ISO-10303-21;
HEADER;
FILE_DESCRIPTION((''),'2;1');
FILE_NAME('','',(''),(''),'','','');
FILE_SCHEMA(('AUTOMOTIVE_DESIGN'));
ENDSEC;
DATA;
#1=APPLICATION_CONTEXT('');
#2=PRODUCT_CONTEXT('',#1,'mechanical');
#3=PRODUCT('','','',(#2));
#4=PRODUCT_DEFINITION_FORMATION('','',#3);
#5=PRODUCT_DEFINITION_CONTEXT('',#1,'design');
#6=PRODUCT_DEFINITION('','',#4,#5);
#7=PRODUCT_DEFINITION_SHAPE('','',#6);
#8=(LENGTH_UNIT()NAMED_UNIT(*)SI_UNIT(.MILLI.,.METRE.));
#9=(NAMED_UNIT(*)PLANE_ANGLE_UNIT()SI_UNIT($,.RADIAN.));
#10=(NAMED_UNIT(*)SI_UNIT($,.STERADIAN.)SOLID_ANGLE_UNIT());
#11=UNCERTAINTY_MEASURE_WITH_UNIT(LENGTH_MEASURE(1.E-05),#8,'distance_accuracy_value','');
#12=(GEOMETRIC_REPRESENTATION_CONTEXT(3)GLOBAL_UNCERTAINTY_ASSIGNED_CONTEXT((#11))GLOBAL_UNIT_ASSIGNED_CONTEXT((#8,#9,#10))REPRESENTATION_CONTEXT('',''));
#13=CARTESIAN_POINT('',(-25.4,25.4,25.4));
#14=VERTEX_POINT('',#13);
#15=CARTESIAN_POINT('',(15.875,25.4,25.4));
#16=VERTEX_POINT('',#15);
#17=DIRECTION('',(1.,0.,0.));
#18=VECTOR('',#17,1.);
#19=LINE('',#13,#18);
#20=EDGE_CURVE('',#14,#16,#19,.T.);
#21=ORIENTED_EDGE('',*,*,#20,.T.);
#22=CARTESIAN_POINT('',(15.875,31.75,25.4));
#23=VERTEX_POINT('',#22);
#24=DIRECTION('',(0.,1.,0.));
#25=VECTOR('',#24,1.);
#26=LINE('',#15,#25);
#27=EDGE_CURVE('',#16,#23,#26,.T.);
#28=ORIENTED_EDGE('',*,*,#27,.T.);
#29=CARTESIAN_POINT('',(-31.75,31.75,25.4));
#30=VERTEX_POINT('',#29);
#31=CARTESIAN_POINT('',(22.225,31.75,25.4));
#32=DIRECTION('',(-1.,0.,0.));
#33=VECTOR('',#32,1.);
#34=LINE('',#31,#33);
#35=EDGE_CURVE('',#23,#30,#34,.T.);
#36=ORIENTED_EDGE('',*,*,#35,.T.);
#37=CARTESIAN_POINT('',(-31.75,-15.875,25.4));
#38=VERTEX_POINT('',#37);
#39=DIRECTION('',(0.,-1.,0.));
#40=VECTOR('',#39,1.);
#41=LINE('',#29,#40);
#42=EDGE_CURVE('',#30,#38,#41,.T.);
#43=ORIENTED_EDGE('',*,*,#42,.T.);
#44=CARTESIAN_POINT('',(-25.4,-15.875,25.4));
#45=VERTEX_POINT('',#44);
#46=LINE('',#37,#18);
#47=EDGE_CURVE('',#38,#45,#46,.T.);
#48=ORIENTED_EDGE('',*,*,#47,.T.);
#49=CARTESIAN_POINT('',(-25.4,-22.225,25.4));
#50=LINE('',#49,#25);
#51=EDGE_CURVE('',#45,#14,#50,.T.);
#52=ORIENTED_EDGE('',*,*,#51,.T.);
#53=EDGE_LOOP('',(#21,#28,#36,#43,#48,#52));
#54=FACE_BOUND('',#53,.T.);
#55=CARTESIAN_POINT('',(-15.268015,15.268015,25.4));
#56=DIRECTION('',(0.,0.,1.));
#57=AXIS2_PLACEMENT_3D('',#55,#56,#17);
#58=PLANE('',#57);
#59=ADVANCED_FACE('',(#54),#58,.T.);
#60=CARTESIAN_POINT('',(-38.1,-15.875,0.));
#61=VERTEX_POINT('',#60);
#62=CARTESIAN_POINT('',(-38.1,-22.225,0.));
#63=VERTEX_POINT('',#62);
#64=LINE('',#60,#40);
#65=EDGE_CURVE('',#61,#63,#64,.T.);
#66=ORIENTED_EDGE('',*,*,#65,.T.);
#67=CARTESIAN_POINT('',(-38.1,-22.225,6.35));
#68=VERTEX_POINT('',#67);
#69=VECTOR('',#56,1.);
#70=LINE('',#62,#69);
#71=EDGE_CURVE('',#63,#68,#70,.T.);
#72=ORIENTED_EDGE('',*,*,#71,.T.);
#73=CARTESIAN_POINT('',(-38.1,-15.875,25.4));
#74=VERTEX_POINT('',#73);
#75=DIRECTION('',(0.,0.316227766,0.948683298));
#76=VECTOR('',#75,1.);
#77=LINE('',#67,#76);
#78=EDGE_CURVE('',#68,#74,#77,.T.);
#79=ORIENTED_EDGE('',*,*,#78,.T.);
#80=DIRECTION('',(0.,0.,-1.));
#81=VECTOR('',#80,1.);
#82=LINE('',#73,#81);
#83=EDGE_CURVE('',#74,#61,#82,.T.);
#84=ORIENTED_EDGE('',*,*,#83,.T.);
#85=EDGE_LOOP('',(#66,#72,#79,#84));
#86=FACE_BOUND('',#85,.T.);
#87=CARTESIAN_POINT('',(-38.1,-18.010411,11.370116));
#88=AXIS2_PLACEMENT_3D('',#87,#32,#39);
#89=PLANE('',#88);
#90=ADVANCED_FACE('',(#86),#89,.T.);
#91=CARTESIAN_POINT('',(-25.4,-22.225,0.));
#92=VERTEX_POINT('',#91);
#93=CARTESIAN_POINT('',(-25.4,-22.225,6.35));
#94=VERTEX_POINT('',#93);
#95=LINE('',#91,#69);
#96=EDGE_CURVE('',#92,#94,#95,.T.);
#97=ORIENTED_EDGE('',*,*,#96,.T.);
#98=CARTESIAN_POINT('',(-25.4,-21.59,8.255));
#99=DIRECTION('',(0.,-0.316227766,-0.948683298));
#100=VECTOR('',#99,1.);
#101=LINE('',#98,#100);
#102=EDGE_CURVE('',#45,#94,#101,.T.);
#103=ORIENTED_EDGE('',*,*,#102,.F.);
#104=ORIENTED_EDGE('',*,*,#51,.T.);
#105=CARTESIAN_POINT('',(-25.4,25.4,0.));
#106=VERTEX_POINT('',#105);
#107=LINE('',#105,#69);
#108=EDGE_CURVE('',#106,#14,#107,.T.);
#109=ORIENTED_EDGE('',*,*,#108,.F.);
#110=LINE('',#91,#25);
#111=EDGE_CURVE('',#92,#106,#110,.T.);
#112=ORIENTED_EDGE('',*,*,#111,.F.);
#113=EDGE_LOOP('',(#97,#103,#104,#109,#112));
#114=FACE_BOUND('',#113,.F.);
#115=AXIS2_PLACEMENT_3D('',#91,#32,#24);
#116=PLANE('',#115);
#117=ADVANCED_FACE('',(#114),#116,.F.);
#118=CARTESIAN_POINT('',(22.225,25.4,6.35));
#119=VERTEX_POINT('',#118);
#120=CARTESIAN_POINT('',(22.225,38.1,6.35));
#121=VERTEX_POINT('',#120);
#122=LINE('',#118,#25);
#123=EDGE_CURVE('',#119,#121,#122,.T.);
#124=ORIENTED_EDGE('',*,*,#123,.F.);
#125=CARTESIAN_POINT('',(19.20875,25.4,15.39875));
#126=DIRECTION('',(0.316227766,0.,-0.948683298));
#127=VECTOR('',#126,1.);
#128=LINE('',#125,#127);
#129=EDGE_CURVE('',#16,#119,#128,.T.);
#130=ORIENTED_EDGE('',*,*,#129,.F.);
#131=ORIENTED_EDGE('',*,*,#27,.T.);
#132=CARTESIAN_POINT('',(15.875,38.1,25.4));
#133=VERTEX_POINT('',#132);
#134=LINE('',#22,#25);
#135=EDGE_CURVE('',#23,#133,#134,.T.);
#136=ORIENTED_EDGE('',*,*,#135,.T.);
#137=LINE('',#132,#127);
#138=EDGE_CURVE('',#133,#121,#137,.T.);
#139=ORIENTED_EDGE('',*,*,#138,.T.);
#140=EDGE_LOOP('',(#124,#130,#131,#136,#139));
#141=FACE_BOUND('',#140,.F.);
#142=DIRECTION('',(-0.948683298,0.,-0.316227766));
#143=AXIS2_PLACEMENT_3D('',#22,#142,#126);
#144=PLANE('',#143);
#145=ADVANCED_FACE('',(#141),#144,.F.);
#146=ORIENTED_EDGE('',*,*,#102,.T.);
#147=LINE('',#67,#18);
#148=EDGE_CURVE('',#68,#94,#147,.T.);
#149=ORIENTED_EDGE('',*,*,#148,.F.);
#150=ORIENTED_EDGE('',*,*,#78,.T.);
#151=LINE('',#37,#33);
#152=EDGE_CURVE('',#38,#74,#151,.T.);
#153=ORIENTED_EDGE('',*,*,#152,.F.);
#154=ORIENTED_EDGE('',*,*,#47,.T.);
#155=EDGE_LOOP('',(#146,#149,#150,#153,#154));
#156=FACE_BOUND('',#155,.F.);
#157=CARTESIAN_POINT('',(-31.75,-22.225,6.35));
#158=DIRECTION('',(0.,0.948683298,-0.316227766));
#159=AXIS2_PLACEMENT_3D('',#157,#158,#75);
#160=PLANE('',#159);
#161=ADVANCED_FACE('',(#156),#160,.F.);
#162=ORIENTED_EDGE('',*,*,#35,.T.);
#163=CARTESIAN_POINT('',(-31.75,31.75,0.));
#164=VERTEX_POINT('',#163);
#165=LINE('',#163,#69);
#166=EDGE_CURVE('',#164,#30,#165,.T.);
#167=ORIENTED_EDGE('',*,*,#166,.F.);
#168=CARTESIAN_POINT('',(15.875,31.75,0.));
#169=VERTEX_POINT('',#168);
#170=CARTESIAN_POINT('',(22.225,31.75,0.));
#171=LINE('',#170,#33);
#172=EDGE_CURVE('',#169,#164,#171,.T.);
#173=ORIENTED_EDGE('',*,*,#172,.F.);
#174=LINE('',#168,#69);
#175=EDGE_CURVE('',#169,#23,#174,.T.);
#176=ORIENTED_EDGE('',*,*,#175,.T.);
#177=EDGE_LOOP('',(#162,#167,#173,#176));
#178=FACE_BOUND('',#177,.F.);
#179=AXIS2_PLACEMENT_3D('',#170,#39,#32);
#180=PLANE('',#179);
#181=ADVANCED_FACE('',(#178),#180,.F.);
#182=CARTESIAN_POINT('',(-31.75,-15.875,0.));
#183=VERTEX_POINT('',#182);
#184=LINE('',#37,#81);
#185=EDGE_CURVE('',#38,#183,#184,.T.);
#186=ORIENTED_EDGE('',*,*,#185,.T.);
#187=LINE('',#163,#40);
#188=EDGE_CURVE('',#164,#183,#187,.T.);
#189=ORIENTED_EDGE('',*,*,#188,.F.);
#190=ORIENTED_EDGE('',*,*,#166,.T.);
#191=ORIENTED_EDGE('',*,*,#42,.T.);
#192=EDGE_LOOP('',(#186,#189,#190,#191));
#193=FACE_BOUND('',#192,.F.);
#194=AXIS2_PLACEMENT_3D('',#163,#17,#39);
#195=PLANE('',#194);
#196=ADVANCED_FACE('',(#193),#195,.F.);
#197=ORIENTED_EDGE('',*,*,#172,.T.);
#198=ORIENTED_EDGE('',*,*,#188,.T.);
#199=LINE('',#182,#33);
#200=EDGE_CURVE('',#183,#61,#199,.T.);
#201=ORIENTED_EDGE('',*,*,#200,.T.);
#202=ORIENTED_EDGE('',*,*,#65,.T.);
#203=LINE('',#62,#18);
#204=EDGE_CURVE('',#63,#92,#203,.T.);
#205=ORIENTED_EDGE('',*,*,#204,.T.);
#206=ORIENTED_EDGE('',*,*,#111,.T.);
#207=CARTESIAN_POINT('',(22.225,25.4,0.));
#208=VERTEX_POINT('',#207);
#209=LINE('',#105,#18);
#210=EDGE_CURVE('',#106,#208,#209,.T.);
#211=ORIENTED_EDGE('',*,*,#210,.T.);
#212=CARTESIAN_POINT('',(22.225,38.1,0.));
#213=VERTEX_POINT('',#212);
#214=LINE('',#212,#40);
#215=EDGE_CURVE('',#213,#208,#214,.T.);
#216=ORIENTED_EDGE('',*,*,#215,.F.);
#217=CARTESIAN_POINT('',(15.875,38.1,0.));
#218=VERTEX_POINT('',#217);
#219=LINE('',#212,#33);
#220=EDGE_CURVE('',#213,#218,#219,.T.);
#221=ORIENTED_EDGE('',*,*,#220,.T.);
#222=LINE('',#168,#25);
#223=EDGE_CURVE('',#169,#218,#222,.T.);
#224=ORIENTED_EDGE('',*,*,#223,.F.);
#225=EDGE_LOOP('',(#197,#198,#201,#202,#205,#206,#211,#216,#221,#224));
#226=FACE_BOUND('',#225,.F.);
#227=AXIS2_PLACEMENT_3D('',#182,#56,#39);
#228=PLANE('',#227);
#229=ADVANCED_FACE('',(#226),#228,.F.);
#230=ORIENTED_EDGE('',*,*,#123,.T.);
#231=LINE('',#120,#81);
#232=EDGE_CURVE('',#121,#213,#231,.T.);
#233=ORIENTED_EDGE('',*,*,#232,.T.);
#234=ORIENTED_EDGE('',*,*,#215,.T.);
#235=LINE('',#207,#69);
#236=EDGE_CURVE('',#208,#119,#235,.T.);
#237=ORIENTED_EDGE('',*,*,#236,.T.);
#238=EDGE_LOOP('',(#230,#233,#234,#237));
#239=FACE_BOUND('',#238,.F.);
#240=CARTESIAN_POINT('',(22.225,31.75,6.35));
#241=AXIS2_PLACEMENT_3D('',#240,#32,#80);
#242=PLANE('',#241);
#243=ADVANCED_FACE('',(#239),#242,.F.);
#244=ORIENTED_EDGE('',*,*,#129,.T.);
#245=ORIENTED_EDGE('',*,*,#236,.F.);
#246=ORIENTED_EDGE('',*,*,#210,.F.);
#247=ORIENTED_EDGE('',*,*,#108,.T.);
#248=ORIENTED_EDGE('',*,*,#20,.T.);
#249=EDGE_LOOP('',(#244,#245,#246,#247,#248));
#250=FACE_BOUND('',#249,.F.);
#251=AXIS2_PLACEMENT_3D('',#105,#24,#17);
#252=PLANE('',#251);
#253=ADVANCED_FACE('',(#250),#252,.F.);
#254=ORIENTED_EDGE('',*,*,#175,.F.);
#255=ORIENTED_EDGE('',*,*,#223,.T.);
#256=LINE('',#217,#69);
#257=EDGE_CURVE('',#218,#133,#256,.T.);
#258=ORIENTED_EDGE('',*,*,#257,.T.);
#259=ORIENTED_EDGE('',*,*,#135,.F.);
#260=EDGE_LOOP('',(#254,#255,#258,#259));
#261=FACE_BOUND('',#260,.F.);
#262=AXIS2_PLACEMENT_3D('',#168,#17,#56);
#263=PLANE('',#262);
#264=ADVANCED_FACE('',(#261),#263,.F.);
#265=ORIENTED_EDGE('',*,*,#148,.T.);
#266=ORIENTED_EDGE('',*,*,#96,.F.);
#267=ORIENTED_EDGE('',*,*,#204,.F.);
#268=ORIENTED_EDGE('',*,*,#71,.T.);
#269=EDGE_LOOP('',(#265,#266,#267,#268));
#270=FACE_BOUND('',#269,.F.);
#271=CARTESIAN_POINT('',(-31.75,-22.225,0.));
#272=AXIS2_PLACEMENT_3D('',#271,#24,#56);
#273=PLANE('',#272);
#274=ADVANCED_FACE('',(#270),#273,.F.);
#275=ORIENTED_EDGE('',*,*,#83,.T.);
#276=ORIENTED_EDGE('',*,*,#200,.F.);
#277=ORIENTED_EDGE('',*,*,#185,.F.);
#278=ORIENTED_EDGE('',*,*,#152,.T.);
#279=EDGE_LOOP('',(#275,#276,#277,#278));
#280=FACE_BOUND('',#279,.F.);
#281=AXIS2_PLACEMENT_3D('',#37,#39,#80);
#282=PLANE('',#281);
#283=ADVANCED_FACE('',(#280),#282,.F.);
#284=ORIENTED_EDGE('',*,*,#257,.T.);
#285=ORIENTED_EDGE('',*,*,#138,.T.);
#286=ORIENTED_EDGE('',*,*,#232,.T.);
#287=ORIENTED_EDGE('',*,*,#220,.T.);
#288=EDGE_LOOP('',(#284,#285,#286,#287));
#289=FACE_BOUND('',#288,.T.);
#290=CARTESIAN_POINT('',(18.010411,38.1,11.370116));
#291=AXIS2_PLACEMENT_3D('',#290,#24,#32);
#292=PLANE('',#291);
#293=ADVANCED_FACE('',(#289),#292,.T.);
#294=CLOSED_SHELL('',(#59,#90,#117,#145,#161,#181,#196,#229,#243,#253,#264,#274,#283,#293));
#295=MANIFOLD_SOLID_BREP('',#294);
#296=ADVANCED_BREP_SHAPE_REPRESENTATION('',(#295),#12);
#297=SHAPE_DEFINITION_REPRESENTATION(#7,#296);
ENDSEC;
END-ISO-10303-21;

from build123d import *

# Parameters (mm, degrees)
F1_DEPTH = 25.4
F2_SIZE2 = 19.05
F2_SIZE  = 6.35
F5_DEPTH = 6.35
F6_DEPTH = 6.35


with BuildPart() as f1:
    # F0 (on Top) → F1 (new body)
    with BuildSketch(Plane.XY):
        Polygon((-31.75, -22.225), (-25.4, -22.225), (-25.4, 25.4), (22.225, 25.4), (22.225, 31.75), (-31.75, 31.75), align=None)
    extrude(amount=F1_DEPTH)

    # F2
    f2_edges = [f1.edges().sort_by_distance(p)[0] for p in [
        (-28.575, -22.225, 25.4),
        (22.225, 28.575, 25.4),
    ]]
    f2_side = f1.faces().sort_by_distance((-28.575, -21.461678, 25.4))[0]
    chamfer(f2_edges, length=F2_SIZE, length2=F2_SIZE2, reference=f2_side)

    # F4 (on face) → F5 (join)
    with BuildSketch(Plane(origin=(0, 31.75, 0), x_dir=(-1, 0, 0), z_dir=(0, 1, 0))):
        Polygon((-15.875, 0), (-15.875, 25.4), (-22.225, 6.35), (-22.225, 0), align=None)
    extrude(amount=F5_DEPTH)

    # F3 (on face) → F6 (join)
    with BuildSketch(Plane(origin=(-31.75, 0, 0), x_dir=(0, -1, 0), z_dir=(-1, 0, 0))):
        Polygon((22.225, 6.35), (15.875, 25.4), (15.875, 0), (22.225, 0), align=None)
    extrude(amount=F6_DEPTH)


solid = f1.part
